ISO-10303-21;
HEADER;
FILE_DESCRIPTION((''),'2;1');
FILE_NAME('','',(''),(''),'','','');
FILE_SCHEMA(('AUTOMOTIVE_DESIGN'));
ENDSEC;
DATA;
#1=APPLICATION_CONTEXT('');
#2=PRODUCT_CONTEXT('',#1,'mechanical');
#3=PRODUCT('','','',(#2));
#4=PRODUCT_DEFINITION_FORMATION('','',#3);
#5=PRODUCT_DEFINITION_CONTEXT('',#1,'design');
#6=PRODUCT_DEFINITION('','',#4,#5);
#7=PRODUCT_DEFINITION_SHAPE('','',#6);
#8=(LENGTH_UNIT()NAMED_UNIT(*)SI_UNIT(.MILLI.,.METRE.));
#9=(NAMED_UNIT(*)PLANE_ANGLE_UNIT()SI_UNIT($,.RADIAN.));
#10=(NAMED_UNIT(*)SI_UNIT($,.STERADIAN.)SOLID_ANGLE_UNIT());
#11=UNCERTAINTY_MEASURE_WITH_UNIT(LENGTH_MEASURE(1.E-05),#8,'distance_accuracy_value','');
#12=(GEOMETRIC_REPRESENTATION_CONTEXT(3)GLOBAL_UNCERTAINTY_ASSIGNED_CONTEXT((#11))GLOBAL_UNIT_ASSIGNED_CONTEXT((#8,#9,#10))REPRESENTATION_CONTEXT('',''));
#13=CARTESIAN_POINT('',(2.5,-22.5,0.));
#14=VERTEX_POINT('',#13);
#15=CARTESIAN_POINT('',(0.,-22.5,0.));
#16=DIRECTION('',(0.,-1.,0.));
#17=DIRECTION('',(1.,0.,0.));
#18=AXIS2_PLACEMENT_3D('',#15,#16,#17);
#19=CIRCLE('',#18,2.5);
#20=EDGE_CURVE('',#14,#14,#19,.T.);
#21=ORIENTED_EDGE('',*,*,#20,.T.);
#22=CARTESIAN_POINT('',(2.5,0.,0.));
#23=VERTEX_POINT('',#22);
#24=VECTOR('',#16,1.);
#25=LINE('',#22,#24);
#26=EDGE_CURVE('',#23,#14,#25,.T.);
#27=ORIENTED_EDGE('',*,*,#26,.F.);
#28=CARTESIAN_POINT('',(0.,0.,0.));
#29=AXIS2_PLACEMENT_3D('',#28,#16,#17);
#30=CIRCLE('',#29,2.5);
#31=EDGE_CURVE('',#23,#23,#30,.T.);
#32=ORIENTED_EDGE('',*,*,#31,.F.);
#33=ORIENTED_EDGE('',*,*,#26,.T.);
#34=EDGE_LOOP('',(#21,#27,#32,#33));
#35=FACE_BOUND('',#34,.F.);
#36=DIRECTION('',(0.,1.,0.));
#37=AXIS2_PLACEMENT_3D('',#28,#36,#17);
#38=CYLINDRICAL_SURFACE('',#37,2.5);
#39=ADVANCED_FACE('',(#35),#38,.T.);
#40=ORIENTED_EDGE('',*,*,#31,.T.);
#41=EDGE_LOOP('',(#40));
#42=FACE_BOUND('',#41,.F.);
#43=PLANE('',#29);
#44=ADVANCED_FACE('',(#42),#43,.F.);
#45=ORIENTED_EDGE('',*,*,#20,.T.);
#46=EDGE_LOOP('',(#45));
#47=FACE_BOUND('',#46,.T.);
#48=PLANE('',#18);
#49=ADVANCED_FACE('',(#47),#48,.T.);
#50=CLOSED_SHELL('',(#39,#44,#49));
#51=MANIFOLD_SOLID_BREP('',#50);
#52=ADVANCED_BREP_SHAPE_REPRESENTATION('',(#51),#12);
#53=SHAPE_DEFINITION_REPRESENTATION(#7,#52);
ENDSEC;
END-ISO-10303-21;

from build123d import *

# Parameters (mm, degrees)
SKETCH_R  = 2.5
PAD_DEPTH = 22.5


with BuildPart() as part:
    # Sketch → Pad (new body)
    with BuildSketch(Plane.XZ):
        Circle(SKETCH_R)
    extrude(amount=PAD_DEPTH)


solid = part.part
